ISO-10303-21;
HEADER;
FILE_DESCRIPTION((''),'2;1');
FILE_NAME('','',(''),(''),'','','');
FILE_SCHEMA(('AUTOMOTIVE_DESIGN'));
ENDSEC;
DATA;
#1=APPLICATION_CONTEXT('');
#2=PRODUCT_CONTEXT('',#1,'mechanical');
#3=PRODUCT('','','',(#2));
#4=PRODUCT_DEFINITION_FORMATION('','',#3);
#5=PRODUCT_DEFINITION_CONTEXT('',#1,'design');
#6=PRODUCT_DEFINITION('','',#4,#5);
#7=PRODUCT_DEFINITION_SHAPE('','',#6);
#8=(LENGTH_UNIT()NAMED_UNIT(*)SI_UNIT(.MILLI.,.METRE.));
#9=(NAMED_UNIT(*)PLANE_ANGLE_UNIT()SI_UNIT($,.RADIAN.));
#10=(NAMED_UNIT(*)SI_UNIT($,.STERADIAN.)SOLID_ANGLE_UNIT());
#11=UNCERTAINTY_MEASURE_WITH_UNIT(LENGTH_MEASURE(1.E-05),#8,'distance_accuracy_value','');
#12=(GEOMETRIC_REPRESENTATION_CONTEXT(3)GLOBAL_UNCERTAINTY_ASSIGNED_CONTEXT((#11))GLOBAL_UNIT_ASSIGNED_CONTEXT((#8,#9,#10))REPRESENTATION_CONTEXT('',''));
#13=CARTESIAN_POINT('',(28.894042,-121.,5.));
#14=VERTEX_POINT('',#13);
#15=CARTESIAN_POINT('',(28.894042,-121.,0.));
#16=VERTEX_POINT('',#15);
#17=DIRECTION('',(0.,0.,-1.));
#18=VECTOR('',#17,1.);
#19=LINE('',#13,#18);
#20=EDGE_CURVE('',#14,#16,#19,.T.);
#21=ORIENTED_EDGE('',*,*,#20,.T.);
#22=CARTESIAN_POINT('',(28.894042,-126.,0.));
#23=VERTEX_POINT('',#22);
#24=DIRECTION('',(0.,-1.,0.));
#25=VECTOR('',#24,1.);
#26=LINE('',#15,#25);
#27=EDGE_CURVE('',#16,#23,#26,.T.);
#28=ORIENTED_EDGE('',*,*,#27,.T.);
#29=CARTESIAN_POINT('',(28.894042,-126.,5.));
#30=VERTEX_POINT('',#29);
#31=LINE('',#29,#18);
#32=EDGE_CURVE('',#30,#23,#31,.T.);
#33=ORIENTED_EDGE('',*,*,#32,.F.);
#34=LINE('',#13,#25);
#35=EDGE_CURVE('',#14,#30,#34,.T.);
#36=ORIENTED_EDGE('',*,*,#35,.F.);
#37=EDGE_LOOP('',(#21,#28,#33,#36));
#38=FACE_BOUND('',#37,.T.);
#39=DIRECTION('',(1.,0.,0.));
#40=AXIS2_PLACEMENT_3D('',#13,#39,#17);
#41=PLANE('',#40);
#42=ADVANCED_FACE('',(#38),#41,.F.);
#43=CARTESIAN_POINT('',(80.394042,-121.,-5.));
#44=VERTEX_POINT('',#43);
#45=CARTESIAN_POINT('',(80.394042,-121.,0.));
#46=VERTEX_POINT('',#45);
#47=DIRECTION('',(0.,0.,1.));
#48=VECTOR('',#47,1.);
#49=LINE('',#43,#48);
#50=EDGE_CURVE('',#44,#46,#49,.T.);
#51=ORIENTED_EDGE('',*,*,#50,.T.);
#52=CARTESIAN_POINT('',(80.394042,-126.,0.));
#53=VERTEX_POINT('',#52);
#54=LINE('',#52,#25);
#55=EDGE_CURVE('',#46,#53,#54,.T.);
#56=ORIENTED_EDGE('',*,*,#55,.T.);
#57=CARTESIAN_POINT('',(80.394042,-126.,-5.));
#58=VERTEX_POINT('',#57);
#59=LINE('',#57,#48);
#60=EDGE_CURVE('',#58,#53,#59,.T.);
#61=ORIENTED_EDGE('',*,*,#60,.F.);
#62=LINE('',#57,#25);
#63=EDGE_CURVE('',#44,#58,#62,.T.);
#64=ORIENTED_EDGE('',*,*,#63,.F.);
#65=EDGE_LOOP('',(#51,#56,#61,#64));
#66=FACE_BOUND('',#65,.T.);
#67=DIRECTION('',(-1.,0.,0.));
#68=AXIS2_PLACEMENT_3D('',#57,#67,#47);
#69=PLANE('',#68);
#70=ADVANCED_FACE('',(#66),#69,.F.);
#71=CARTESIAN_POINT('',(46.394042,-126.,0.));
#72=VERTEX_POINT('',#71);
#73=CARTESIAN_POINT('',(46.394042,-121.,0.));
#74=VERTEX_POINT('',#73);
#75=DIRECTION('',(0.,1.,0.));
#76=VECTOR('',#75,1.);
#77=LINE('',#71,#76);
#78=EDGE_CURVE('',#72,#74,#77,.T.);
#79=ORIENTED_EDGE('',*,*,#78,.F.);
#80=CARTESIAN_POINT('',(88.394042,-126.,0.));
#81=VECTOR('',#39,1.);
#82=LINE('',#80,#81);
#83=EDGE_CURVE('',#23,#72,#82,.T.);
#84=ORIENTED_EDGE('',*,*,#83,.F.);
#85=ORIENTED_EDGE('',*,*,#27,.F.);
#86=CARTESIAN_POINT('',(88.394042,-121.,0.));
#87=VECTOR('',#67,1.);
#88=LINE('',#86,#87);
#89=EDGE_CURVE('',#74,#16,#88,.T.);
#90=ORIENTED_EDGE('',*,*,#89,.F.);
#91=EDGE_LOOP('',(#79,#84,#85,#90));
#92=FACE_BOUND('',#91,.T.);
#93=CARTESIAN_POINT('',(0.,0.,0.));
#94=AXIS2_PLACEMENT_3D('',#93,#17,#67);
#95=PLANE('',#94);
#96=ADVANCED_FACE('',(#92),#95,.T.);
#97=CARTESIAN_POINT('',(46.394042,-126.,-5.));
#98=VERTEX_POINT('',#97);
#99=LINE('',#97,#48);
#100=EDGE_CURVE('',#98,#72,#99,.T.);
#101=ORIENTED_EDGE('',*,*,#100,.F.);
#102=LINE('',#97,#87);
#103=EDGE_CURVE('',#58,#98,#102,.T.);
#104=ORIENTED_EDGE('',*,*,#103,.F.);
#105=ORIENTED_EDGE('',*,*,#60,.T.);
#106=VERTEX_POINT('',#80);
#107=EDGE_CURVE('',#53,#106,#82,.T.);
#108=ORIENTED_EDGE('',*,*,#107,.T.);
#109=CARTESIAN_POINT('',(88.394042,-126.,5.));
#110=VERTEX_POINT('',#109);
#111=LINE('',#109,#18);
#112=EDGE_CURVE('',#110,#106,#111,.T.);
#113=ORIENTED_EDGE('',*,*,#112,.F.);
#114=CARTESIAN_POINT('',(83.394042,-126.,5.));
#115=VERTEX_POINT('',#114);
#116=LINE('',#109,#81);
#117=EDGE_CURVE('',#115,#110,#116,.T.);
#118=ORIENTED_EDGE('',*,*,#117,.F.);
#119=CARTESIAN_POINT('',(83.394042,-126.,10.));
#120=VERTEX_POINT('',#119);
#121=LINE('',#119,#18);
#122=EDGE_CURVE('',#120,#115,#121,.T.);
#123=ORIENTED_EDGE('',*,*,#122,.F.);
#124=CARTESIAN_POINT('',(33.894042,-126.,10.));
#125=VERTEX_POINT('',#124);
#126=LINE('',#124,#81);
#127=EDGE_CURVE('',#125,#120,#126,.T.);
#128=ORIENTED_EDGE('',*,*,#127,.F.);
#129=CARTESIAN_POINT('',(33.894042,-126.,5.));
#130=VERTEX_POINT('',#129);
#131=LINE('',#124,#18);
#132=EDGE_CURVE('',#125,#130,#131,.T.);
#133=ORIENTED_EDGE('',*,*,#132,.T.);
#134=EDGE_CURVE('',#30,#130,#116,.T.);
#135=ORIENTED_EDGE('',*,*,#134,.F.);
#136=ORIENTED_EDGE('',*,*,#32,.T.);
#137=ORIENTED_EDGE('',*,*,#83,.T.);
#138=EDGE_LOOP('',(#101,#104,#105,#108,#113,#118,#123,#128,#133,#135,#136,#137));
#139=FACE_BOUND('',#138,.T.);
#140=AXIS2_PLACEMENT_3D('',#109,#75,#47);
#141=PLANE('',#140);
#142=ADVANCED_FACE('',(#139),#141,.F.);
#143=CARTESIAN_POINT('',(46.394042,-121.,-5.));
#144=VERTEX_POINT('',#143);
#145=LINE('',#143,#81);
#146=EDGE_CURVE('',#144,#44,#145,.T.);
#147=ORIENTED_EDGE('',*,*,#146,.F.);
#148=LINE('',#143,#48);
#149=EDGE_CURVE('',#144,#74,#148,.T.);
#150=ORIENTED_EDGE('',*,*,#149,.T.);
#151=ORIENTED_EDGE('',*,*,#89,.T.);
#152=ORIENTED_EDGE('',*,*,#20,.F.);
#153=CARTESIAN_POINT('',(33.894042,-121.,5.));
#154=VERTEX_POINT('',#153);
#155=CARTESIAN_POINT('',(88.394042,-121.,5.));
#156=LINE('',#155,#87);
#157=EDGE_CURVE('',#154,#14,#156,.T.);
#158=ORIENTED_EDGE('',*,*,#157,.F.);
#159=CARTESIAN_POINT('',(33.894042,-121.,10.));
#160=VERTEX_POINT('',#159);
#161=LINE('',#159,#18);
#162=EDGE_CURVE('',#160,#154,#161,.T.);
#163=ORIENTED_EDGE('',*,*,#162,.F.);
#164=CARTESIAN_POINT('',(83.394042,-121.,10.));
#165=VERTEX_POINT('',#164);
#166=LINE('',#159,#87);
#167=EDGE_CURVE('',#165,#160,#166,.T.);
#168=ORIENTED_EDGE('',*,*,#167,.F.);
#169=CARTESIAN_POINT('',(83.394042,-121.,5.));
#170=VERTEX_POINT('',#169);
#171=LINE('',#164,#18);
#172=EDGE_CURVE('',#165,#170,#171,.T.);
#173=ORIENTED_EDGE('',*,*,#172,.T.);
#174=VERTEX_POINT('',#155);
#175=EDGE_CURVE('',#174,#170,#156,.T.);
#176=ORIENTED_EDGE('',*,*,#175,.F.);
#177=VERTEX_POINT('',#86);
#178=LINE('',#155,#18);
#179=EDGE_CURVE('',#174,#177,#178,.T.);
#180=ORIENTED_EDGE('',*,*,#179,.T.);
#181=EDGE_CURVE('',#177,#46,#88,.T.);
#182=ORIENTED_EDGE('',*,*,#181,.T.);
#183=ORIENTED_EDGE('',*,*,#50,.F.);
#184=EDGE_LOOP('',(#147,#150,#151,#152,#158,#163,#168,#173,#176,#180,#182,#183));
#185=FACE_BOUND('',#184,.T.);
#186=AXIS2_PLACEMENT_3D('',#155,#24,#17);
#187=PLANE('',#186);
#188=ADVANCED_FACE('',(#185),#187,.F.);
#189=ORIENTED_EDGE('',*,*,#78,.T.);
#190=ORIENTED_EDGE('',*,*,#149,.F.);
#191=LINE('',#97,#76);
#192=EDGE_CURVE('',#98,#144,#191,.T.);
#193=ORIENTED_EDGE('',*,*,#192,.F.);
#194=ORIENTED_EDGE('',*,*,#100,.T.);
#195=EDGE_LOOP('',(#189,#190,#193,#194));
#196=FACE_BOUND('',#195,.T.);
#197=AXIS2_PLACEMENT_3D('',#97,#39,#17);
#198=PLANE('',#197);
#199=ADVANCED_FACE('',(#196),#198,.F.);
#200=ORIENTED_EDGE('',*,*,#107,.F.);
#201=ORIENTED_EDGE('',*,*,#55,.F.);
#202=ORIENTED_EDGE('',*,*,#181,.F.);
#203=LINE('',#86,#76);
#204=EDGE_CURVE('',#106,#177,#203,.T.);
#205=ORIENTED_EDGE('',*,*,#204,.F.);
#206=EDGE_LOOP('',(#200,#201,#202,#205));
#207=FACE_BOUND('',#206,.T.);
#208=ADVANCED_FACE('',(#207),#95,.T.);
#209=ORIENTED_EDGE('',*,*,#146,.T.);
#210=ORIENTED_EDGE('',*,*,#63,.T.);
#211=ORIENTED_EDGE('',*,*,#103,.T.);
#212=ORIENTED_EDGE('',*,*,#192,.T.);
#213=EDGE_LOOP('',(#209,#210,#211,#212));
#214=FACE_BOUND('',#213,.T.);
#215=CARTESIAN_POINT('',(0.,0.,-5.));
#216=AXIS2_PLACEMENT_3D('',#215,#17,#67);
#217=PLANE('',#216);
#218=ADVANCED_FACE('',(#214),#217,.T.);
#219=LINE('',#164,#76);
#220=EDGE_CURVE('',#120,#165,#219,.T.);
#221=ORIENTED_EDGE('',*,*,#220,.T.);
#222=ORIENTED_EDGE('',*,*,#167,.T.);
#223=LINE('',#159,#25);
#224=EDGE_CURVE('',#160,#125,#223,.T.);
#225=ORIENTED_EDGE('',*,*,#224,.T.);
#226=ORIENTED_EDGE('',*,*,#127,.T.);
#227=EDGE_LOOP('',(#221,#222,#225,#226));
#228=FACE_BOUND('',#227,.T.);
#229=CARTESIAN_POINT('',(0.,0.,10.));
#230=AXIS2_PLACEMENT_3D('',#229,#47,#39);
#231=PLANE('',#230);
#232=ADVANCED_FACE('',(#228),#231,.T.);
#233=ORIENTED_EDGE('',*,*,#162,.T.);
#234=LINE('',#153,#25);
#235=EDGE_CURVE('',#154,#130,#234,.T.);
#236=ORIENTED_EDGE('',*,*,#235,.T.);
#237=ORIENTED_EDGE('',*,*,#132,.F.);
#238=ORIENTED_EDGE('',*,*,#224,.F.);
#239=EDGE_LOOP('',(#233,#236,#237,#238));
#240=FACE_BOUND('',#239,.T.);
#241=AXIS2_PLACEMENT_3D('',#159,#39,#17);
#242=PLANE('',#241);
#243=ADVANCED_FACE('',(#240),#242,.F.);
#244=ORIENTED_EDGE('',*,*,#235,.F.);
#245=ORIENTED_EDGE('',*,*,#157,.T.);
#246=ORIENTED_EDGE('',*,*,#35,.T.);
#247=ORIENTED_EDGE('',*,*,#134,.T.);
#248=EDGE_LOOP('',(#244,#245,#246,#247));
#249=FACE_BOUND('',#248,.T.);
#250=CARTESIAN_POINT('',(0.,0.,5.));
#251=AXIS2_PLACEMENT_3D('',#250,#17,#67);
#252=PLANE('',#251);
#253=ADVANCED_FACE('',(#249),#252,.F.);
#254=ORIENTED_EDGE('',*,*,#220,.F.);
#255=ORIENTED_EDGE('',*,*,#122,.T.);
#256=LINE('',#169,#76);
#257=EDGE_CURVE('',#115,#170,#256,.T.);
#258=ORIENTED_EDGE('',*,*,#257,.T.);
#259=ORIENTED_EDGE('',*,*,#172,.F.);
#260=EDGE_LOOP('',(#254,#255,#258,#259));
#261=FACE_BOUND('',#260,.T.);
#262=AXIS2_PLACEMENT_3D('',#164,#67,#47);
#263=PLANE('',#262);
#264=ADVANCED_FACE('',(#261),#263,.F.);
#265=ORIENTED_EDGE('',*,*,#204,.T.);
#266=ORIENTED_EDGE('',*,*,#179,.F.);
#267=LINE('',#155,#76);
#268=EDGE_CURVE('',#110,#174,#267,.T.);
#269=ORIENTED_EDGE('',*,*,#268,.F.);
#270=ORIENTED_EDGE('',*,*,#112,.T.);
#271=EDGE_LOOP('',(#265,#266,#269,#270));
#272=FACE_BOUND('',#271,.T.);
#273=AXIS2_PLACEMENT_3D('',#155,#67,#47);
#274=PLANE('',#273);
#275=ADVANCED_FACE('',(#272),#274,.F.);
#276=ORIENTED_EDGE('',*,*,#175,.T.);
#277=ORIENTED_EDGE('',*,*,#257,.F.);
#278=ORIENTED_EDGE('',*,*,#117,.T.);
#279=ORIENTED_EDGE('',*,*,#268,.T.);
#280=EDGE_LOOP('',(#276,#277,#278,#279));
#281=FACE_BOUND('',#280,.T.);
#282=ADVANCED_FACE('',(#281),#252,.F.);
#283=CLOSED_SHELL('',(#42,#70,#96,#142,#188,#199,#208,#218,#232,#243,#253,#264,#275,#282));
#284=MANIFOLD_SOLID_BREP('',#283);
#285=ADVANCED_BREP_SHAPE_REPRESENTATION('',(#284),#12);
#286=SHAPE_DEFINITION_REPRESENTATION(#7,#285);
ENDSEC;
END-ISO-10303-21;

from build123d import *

# Parameters (mm, degrees)
SKETCH1_W           = 59.5
SKETCH1_H           = 5
BOSS_EXTRUDE1_DEPTH = 5
SKETCH2_W           = 49.5
SKETCH2_H           = 5
BOSS_EXTRUDE2_DEPTH = 5
SKETCH3_W           = 34
SKETCH3_H           = 5
BOSS_EXTRUDE3_DEPTH = 5


with BuildPart() as part:
    # Sketch1 → Boss-Extrude1 (new body)
    with BuildSketch(Plane.XY):
        with Locations((58.644042166, -123.5)):
            Rectangle(SKETCH1_W, SKETCH1_H)
    extrude(amount=BOSS_EXTRUDE1_DEPTH)

    # Sketch2 → Boss-Extrude2 (add)
    with BuildSketch(Plane.XY.offset(5)):
        with Locations((58.644042166, -123.5)):
            Rectangle(SKETCH2_W, SKETCH2_H)
    extrude(amount=BOSS_EXTRUDE2_DEPTH)

    # Sketch3 → Boss-Extrude3 (add)
    with BuildSketch(Plane(origin=(0, 0, 0), x_dir=(-1, 0, 0), z_dir=(0, 0, -1))):
        with Locations((-63.394042166, -123.5)):
            Rectangle(SKETCH3_W, SKETCH3_H)
    extrude(amount=BOSS_EXTRUDE3_DEPTH)


solid = part.part
